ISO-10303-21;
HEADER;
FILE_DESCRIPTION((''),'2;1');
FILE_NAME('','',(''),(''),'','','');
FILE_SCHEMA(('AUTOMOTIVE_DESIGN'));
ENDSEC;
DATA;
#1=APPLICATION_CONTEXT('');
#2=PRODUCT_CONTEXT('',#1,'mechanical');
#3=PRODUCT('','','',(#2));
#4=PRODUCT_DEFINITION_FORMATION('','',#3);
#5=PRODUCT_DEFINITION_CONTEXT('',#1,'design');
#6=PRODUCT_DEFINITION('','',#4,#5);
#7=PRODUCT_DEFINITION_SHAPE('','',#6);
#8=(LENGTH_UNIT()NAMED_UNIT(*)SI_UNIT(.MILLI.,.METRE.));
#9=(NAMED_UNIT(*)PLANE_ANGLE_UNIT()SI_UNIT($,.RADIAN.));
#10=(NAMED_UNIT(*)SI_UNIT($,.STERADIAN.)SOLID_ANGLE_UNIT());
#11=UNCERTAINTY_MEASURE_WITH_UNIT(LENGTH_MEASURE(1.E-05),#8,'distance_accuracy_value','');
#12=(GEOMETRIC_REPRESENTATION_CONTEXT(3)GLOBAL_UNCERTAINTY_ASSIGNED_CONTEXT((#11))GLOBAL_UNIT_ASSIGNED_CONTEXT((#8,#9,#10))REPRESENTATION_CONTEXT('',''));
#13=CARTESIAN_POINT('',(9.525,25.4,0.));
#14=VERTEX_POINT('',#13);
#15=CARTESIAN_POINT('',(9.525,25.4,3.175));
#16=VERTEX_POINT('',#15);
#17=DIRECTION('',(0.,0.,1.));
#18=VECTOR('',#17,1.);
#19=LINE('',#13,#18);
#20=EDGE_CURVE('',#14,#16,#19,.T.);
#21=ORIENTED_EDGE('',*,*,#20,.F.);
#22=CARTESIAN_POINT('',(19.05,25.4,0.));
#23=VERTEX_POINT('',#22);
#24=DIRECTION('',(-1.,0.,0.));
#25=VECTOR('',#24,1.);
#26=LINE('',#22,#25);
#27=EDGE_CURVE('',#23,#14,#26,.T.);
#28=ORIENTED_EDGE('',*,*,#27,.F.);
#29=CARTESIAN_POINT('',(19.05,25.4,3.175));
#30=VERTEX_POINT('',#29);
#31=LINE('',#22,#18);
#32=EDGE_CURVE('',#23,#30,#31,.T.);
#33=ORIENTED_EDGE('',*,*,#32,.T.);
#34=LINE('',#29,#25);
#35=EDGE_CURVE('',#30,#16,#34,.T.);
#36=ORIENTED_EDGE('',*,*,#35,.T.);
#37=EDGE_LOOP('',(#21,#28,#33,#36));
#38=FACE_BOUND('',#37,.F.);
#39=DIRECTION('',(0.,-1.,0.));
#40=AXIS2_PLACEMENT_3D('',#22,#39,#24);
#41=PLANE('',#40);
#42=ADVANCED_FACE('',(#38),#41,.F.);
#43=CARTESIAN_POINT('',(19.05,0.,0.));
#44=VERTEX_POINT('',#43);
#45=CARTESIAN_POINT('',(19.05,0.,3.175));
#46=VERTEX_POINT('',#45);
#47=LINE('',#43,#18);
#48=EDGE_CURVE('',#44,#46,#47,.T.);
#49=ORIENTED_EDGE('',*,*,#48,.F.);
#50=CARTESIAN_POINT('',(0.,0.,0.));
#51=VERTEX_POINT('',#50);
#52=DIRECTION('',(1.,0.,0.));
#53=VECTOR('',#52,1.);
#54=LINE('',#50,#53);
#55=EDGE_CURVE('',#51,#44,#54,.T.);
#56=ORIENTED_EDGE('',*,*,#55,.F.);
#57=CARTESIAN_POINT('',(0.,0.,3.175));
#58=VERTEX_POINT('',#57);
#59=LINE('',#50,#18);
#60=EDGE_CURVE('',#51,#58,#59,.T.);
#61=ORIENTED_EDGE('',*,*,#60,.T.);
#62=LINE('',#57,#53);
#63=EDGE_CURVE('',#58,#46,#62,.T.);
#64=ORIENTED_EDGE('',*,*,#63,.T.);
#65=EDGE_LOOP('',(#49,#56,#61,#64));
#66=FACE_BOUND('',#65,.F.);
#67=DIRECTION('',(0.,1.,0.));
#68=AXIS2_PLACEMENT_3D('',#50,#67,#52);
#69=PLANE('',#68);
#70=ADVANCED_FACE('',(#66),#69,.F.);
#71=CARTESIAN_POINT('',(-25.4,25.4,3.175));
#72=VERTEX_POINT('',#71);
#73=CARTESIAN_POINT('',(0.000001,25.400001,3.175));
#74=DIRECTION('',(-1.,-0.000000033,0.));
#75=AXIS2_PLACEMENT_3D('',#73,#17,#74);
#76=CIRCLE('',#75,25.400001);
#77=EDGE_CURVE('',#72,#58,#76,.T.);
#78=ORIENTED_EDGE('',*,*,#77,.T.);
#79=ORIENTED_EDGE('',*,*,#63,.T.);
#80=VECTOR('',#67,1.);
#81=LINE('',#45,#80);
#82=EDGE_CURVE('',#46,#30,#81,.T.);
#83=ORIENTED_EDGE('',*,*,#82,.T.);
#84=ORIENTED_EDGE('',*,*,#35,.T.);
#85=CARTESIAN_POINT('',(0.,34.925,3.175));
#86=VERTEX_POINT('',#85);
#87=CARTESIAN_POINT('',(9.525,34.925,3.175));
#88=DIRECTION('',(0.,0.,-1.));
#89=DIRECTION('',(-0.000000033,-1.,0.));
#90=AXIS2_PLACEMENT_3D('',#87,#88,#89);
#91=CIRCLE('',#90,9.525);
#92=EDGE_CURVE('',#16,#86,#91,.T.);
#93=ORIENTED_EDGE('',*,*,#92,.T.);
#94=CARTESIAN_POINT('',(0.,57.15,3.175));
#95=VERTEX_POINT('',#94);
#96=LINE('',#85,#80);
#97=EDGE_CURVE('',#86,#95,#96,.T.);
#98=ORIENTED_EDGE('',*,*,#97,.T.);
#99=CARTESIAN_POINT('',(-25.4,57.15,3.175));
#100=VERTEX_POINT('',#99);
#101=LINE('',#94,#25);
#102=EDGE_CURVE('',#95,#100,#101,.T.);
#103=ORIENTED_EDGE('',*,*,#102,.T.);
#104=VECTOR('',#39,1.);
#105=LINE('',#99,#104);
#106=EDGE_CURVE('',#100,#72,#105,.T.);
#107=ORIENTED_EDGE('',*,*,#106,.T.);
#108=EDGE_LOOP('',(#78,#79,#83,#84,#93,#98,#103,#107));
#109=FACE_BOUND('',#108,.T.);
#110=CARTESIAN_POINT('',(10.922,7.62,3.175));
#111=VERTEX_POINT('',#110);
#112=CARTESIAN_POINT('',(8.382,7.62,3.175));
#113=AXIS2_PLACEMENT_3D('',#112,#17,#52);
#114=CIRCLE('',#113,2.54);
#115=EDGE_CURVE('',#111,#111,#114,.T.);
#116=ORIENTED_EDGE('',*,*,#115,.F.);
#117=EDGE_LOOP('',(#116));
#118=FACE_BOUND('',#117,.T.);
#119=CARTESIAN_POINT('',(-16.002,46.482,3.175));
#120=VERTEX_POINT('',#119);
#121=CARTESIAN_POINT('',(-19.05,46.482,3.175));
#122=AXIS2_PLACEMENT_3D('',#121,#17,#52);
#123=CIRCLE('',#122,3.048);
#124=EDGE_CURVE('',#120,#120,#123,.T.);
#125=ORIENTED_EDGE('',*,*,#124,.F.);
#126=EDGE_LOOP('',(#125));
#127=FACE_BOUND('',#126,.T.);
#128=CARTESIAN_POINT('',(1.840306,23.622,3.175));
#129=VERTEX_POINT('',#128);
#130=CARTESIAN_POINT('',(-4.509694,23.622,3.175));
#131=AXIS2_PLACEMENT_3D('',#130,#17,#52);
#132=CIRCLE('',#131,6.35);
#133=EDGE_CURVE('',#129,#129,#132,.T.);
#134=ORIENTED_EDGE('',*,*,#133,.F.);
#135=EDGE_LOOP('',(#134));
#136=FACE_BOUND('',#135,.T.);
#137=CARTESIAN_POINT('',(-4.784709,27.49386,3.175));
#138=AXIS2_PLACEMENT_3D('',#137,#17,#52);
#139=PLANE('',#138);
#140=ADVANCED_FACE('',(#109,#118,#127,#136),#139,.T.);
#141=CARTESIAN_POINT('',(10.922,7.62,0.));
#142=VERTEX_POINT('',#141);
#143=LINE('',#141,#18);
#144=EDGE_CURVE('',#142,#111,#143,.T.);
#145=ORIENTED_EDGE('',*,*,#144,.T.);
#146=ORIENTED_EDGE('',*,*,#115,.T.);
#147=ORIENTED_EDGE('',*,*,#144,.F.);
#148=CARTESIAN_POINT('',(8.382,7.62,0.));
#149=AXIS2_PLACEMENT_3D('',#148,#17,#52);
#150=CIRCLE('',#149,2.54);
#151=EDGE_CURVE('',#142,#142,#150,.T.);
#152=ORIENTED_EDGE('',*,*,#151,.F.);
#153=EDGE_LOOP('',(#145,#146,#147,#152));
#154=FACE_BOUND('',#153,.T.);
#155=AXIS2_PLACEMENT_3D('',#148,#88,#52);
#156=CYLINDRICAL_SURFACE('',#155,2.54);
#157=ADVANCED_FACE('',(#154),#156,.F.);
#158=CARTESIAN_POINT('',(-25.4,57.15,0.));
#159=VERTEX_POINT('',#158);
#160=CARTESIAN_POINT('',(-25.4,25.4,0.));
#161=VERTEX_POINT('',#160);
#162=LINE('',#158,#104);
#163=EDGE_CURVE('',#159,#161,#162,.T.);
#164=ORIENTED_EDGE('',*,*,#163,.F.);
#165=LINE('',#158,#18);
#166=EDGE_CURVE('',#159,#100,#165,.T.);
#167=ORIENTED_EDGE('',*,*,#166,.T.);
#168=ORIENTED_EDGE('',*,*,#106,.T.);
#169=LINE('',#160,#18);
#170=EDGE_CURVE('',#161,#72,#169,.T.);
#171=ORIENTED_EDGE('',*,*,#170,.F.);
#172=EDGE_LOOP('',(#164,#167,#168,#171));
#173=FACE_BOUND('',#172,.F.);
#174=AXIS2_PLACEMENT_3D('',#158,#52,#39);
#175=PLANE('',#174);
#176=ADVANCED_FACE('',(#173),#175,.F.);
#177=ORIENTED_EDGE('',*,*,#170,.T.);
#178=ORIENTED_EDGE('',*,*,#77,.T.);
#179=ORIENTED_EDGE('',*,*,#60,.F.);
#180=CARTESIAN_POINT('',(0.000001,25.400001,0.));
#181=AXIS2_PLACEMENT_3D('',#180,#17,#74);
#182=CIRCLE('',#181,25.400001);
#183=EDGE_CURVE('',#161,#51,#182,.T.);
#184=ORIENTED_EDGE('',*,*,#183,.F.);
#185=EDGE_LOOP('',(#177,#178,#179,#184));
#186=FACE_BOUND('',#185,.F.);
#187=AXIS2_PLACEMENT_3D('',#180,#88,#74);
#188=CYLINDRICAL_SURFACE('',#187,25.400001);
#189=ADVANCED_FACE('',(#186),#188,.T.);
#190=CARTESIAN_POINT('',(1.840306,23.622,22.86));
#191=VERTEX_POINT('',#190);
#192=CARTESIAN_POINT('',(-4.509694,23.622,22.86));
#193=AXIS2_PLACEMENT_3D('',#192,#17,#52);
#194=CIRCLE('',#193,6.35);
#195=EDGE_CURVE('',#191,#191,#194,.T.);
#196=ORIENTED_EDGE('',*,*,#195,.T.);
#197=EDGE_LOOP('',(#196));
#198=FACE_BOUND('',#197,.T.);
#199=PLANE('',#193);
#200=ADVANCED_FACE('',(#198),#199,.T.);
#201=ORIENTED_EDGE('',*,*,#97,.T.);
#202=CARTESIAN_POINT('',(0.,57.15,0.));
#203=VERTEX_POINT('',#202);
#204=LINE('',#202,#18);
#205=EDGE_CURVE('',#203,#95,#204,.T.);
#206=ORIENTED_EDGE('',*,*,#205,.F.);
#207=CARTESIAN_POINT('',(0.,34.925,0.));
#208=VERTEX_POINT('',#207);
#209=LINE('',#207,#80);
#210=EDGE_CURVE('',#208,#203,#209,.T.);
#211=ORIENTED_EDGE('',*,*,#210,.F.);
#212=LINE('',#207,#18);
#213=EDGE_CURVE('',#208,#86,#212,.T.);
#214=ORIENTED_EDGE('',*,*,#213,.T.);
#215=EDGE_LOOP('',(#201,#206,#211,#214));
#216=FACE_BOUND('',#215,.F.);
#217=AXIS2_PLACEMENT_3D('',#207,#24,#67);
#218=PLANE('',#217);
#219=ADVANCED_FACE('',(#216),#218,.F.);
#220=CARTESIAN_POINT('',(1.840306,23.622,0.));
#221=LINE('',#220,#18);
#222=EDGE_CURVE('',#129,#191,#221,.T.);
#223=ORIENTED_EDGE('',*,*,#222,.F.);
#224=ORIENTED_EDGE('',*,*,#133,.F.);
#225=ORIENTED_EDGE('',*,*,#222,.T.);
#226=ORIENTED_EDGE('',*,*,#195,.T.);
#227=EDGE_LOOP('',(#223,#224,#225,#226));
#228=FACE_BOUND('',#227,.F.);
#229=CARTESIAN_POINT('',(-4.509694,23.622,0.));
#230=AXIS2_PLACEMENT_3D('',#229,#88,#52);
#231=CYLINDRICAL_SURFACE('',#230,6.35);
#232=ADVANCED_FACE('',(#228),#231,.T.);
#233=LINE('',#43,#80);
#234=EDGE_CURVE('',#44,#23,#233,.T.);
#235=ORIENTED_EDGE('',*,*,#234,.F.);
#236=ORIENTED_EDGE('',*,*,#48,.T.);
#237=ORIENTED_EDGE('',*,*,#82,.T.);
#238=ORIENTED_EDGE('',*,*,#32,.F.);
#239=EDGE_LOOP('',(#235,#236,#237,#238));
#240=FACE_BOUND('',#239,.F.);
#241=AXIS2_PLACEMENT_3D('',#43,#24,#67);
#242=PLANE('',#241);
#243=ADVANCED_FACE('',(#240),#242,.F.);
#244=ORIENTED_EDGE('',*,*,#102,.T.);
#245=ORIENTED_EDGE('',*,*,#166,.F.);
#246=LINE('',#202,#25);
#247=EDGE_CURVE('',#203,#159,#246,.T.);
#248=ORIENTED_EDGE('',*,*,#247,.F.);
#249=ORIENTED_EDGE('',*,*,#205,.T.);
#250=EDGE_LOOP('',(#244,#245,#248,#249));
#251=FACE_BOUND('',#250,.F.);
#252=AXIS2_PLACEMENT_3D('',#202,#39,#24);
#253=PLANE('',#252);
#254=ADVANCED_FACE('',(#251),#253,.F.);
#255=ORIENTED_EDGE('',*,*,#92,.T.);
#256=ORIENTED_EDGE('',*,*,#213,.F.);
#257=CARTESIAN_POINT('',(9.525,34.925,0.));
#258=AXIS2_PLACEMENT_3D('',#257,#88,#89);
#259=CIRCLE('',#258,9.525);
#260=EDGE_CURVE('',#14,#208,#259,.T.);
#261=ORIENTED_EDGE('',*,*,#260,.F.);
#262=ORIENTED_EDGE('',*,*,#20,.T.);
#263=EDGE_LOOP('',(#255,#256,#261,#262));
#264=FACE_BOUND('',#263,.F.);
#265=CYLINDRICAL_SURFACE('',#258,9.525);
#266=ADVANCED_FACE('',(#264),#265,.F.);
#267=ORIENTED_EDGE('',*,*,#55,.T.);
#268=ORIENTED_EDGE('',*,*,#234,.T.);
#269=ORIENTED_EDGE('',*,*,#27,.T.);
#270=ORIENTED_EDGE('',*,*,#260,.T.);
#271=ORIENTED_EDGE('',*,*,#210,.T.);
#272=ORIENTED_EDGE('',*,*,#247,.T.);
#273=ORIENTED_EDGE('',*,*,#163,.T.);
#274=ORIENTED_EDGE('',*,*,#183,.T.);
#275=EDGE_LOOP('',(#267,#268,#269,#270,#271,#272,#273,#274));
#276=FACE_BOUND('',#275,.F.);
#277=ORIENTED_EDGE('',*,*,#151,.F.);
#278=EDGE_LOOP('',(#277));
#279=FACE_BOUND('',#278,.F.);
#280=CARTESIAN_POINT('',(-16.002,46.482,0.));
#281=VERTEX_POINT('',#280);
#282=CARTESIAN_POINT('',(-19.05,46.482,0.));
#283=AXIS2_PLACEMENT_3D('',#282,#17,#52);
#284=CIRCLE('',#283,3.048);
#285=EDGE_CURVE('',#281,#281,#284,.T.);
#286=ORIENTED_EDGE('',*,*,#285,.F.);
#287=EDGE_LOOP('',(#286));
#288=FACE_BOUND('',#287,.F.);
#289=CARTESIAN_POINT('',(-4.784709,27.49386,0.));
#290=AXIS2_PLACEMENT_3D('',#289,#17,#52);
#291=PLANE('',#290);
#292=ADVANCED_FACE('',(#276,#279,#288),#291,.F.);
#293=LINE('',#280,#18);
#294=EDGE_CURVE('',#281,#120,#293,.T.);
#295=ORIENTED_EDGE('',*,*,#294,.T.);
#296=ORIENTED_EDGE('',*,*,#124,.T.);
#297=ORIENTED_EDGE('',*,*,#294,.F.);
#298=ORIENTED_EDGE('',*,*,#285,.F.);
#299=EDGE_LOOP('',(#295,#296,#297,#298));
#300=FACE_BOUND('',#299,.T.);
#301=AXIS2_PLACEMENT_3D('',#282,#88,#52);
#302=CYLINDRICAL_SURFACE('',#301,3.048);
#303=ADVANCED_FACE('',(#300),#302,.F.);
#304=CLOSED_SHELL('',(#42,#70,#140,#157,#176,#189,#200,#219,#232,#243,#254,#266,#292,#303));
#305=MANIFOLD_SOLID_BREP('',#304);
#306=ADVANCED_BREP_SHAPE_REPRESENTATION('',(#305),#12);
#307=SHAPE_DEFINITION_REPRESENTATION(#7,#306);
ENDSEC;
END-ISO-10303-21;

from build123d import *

# Parameters (mm, degrees)
F0_R     = 6.35
F1_DEPTH = 22.86
F0_R_2   = 2.54
F0_R_3   = 3.048
F2_DEPTH = 3.175


with BuildPart() as f1:
    # F0 (on Top) → F1 (new body)
    with BuildSketch(Plane.XY):
        with Locations((-4.509694, 23.622)):
            Circle(F0_R)
    extrude(amount=F1_DEPTH)

    # F0 (on Top) → F2 (join)
    with BuildSketch(Plane.XY):
        with BuildLine():
            Line((0, 57.15), (-25.4, 57.15))
            Line((-25.4, 57.15), (-25.4, 25.4))
            ThreePointArc((-25.4, 25.4), (-17.960512, 7.439488), (0, 0))
            Line((0, 0), (19.05, 0))
            Line((19.05, 0), (19.05, 25.4))
            Line((19.05, 25.4), (9.525, 25.4))
            ThreePointArc((9.525, 25.4), (2.789808, 28.189808), (0, 34.925))
            Line((0, 34.925), (0, 57.15))
        make_face()
        with Locations((-4.509694, 23.622)):
            Circle(F0_R, mode=Mode.SUBTRACT)
        with Locations((8.382, 7.62)):
            Circle(F0_R_2, mode=Mode.SUBTRACT)
        with Locations((-19.05, 46.482)):
            Circle(F0_R_3, mode=Mode.SUBTRACT)
    extrude(amount=F2_DEPTH)


solid = f1.part
